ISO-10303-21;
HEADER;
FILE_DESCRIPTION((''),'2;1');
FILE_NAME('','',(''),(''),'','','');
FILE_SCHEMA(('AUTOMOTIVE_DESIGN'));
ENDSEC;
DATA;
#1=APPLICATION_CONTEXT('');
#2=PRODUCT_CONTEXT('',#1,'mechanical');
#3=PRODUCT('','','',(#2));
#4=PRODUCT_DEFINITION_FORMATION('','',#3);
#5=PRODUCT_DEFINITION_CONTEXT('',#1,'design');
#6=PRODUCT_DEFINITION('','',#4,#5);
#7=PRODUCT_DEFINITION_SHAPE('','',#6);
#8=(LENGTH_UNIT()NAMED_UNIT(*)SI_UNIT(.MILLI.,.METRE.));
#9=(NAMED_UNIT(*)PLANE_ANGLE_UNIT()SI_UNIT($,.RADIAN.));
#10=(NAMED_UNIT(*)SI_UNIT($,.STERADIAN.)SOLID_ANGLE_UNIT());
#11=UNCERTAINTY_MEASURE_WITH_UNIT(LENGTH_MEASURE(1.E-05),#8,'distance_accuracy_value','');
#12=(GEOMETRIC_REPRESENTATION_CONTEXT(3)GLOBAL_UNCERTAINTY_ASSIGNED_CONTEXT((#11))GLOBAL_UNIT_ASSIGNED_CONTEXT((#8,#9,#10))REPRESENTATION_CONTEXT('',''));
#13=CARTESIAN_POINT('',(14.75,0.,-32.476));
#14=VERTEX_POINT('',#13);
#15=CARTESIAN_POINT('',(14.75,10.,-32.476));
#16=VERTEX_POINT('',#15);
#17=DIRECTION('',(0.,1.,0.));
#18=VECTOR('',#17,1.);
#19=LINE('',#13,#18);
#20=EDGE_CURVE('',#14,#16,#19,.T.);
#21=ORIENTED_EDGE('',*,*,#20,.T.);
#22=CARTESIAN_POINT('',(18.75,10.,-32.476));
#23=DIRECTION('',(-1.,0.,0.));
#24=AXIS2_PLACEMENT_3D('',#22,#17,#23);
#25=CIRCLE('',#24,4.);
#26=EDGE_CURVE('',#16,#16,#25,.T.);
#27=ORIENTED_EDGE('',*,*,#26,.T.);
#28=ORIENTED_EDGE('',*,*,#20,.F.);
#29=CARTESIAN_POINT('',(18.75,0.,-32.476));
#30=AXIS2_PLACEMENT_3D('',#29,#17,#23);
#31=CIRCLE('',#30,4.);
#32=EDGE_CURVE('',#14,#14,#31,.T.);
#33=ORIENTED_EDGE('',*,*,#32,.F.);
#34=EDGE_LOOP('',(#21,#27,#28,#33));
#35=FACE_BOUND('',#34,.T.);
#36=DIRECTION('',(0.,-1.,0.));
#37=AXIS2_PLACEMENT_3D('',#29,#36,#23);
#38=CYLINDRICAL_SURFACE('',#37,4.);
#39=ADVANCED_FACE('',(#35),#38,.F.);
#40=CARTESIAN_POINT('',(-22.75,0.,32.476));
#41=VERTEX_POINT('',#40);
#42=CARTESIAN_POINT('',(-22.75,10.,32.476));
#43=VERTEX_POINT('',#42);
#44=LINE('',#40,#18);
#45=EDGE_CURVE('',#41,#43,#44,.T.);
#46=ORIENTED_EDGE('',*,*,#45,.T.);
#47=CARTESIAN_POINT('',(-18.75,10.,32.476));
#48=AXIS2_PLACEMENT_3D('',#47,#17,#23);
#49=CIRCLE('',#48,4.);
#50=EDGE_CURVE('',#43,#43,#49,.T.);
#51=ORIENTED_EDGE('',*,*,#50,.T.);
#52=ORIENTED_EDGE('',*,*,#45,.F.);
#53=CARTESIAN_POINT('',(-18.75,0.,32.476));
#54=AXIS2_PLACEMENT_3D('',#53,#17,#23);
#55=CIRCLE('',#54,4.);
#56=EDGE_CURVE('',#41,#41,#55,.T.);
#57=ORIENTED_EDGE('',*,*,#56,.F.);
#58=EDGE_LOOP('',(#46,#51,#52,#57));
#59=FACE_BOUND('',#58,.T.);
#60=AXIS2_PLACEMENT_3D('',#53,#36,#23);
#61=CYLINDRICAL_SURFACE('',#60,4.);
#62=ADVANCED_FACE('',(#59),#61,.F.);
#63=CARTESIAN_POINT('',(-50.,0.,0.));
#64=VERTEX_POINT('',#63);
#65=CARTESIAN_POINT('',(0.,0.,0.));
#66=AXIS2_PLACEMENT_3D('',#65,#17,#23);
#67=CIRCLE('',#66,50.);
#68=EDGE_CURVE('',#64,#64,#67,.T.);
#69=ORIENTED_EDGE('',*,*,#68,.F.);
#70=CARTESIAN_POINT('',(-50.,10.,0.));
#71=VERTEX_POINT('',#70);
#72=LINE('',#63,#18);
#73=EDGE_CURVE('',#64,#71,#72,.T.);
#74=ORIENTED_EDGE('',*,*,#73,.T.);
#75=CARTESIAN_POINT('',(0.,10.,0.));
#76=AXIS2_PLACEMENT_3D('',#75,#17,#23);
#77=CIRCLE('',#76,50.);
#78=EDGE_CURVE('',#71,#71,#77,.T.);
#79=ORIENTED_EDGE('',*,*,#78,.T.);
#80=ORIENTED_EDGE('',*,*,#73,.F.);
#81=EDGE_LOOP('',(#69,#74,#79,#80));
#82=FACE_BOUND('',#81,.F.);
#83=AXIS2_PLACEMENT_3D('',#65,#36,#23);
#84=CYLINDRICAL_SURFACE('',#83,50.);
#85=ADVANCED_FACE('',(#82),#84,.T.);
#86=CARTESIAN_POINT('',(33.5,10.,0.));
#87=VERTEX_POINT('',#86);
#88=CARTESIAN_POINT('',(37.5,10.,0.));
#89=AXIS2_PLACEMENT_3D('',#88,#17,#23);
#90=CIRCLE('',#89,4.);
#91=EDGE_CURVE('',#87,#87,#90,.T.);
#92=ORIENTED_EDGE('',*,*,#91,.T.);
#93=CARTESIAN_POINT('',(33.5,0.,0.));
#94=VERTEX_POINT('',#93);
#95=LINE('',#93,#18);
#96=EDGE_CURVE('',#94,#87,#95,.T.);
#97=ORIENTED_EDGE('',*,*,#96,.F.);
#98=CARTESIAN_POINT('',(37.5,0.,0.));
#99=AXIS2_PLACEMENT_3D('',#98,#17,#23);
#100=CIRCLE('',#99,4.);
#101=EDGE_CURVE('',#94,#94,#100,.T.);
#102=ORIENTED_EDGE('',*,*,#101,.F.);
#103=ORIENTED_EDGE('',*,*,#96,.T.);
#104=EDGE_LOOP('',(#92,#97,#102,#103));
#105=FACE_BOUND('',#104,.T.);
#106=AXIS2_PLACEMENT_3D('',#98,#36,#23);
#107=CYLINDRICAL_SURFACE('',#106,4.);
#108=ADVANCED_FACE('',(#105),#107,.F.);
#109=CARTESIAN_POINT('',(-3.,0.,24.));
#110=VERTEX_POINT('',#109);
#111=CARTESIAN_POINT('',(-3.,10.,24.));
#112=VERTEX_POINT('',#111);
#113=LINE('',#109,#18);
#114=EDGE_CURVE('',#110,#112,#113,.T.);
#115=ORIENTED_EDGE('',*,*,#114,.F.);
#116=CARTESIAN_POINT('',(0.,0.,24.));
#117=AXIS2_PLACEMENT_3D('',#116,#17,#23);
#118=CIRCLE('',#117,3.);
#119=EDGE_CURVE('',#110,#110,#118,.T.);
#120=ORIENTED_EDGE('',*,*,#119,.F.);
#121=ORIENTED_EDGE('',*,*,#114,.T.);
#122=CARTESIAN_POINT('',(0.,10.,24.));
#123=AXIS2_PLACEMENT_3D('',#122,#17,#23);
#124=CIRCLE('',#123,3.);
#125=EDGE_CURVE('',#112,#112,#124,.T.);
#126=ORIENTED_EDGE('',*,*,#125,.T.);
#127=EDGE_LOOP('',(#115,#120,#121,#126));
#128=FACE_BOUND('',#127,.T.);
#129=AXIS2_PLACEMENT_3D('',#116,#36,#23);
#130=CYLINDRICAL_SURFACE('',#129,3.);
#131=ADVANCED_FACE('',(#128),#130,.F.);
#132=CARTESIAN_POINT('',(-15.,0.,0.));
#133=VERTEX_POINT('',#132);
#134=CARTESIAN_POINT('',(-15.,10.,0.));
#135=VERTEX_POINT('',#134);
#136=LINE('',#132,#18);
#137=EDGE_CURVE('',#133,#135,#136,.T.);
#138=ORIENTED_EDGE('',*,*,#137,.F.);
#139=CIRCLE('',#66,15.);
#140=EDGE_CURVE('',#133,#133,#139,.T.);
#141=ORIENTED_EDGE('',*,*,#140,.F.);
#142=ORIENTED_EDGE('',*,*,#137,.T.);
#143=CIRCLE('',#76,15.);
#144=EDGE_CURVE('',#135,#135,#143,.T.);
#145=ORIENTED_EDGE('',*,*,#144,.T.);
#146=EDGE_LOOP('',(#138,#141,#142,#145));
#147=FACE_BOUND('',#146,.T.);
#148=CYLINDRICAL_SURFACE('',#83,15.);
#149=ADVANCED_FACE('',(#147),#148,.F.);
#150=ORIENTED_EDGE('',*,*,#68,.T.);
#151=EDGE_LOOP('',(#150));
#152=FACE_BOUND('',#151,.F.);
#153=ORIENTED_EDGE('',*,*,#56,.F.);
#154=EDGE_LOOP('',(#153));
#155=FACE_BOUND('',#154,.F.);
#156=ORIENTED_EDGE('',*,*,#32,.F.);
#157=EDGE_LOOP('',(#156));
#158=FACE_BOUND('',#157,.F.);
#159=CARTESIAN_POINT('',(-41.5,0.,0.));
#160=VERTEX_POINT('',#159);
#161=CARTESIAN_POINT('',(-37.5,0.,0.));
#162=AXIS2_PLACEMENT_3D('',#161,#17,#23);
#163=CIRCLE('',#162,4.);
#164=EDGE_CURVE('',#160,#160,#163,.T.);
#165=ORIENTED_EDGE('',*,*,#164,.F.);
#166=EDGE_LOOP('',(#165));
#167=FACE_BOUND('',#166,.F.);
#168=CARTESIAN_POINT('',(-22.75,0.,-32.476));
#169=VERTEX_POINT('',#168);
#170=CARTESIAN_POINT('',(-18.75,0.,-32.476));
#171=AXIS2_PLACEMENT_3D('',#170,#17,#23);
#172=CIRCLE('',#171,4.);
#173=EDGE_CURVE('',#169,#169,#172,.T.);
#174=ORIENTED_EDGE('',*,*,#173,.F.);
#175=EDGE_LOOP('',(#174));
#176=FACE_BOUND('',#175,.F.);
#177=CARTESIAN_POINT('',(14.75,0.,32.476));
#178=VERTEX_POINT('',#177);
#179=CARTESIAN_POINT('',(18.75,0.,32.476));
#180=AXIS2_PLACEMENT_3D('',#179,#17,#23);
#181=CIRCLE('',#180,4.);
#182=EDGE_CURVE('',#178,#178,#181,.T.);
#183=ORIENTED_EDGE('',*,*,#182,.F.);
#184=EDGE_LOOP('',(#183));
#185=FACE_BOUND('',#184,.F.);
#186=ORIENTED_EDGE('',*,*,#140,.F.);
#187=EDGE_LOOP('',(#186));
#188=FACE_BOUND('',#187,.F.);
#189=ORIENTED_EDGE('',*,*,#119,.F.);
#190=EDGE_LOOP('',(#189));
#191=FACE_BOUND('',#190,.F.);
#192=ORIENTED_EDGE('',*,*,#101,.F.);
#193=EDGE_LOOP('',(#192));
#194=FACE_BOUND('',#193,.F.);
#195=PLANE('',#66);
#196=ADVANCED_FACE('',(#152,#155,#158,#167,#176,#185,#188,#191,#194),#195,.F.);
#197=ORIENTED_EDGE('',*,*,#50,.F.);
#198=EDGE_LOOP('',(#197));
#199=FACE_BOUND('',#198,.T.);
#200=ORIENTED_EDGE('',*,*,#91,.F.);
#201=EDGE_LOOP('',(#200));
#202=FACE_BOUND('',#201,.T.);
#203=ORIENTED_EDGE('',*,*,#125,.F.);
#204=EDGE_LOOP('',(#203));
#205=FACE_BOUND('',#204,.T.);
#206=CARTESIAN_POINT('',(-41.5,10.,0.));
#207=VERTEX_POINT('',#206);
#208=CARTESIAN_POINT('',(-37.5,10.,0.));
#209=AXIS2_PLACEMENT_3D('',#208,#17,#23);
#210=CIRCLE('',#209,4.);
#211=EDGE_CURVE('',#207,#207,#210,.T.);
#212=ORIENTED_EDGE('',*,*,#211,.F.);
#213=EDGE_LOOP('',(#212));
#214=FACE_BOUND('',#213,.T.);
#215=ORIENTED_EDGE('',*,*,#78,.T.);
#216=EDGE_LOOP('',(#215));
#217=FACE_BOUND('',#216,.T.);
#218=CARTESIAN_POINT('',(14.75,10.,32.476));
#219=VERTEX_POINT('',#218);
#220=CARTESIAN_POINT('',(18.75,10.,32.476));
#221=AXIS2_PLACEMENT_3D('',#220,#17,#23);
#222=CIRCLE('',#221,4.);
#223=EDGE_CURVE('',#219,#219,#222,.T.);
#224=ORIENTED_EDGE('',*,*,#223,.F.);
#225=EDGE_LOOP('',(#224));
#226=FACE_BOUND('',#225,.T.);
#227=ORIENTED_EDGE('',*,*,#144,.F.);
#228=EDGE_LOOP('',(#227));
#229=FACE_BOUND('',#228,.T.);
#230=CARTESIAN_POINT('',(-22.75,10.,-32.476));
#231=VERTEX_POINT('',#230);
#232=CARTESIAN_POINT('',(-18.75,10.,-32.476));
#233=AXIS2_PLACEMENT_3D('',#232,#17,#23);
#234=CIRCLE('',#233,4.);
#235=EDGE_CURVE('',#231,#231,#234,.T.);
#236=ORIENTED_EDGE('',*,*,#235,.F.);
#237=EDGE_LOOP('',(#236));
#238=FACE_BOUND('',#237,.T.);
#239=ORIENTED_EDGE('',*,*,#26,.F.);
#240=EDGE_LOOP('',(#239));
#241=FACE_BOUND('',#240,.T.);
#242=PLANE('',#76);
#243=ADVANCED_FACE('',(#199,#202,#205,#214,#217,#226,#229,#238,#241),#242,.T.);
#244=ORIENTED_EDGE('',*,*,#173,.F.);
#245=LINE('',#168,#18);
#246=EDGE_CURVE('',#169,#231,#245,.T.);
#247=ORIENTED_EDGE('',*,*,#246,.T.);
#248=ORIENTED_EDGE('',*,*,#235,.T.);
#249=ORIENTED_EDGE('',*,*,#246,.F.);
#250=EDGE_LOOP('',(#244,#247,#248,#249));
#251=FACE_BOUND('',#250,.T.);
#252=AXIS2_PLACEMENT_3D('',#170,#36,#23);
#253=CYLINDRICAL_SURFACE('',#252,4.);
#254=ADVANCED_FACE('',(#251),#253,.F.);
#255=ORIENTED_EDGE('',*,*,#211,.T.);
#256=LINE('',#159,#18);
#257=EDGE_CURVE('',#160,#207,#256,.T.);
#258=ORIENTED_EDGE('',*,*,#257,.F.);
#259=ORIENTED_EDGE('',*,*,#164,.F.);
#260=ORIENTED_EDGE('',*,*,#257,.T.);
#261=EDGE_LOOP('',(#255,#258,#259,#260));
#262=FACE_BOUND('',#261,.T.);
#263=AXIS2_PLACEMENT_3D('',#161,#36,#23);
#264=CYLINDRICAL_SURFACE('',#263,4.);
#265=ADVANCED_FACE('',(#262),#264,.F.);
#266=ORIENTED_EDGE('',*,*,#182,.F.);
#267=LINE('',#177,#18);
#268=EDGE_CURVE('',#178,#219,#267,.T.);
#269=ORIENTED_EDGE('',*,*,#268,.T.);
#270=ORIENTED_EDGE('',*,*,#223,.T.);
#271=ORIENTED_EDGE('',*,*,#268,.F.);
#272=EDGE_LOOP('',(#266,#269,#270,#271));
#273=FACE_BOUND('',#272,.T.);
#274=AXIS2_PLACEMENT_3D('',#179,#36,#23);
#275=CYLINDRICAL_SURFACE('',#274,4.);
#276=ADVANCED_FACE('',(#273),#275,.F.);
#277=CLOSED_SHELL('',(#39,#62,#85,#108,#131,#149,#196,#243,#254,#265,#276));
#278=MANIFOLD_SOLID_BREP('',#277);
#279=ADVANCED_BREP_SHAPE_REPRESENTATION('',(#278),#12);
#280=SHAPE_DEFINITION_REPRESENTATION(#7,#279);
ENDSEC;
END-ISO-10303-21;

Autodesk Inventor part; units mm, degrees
ref_plane "YZ Plane" through (0, 0, 0) normal (1, 0, 0) x (0, 1, 0)
ref_plane "XZ Plane" through (0, 0, 0) normal (0, 1, 0) x (-1, 0, 0)
ref_plane "XY Plane" through (0, 0, 0) normal (0, 0, 1) x (1, 0, 0)
sketch "Эскиз1" plane through (0, 0, 0) normal (0, 1, 0) x (-1, 0, 0)
  circle A0 centre (0, 0) radius 15
  circle A1 centre (0, 0) radius 50
  circle A2 centre (37.5, 0) radius 4
  circle A3 centre (18.75, 32.476) radius 4
  circle A4 centre (-18.75, 32.476) radius 4
  circle A5 centre (-37.5, 0) radius 4
  circle A6 centre (-18.75, -32.476) radius 4
  circle A7 centre (18.75, -32.476) radius 4
  circle A8 centre (0, 24) radius 3
  circle A9 centre (0, 0) radius 25 construction
  line L0 (41.5, -3.7528) -> (35, -7.5056) construction
  line L1 (35, -7.5056) -> (28.5, -3.7528) construction
  line L2 (28.5, -3.7528) -> (28.5, 3.7528) construction
  line L3 (28.5, 3.7528) -> (35, 7.5056) construction
  line L4 (35, 7.5056) -> (41.5, 3.7528) construction
  line L5 (41.5, 3.7528) -> (41.5, -3.7528) construction
  point P0 (35.3864, 0)
  point P1 (35, 0)
  dimension "d0" = 30
  dimension "d1" = 100
  dimension "d2" = 8
  dimension "d6" = 360
  dimension "d8" = 6
  dimension "d9" = 24
  dimension "d12" = 37.5
  dimension "d13" = 50
  dimension "d15" = 13
extrude "Выдавливание1" add sketch "Эскиз1" along normal blind 10
properties part number "статор мотора"
